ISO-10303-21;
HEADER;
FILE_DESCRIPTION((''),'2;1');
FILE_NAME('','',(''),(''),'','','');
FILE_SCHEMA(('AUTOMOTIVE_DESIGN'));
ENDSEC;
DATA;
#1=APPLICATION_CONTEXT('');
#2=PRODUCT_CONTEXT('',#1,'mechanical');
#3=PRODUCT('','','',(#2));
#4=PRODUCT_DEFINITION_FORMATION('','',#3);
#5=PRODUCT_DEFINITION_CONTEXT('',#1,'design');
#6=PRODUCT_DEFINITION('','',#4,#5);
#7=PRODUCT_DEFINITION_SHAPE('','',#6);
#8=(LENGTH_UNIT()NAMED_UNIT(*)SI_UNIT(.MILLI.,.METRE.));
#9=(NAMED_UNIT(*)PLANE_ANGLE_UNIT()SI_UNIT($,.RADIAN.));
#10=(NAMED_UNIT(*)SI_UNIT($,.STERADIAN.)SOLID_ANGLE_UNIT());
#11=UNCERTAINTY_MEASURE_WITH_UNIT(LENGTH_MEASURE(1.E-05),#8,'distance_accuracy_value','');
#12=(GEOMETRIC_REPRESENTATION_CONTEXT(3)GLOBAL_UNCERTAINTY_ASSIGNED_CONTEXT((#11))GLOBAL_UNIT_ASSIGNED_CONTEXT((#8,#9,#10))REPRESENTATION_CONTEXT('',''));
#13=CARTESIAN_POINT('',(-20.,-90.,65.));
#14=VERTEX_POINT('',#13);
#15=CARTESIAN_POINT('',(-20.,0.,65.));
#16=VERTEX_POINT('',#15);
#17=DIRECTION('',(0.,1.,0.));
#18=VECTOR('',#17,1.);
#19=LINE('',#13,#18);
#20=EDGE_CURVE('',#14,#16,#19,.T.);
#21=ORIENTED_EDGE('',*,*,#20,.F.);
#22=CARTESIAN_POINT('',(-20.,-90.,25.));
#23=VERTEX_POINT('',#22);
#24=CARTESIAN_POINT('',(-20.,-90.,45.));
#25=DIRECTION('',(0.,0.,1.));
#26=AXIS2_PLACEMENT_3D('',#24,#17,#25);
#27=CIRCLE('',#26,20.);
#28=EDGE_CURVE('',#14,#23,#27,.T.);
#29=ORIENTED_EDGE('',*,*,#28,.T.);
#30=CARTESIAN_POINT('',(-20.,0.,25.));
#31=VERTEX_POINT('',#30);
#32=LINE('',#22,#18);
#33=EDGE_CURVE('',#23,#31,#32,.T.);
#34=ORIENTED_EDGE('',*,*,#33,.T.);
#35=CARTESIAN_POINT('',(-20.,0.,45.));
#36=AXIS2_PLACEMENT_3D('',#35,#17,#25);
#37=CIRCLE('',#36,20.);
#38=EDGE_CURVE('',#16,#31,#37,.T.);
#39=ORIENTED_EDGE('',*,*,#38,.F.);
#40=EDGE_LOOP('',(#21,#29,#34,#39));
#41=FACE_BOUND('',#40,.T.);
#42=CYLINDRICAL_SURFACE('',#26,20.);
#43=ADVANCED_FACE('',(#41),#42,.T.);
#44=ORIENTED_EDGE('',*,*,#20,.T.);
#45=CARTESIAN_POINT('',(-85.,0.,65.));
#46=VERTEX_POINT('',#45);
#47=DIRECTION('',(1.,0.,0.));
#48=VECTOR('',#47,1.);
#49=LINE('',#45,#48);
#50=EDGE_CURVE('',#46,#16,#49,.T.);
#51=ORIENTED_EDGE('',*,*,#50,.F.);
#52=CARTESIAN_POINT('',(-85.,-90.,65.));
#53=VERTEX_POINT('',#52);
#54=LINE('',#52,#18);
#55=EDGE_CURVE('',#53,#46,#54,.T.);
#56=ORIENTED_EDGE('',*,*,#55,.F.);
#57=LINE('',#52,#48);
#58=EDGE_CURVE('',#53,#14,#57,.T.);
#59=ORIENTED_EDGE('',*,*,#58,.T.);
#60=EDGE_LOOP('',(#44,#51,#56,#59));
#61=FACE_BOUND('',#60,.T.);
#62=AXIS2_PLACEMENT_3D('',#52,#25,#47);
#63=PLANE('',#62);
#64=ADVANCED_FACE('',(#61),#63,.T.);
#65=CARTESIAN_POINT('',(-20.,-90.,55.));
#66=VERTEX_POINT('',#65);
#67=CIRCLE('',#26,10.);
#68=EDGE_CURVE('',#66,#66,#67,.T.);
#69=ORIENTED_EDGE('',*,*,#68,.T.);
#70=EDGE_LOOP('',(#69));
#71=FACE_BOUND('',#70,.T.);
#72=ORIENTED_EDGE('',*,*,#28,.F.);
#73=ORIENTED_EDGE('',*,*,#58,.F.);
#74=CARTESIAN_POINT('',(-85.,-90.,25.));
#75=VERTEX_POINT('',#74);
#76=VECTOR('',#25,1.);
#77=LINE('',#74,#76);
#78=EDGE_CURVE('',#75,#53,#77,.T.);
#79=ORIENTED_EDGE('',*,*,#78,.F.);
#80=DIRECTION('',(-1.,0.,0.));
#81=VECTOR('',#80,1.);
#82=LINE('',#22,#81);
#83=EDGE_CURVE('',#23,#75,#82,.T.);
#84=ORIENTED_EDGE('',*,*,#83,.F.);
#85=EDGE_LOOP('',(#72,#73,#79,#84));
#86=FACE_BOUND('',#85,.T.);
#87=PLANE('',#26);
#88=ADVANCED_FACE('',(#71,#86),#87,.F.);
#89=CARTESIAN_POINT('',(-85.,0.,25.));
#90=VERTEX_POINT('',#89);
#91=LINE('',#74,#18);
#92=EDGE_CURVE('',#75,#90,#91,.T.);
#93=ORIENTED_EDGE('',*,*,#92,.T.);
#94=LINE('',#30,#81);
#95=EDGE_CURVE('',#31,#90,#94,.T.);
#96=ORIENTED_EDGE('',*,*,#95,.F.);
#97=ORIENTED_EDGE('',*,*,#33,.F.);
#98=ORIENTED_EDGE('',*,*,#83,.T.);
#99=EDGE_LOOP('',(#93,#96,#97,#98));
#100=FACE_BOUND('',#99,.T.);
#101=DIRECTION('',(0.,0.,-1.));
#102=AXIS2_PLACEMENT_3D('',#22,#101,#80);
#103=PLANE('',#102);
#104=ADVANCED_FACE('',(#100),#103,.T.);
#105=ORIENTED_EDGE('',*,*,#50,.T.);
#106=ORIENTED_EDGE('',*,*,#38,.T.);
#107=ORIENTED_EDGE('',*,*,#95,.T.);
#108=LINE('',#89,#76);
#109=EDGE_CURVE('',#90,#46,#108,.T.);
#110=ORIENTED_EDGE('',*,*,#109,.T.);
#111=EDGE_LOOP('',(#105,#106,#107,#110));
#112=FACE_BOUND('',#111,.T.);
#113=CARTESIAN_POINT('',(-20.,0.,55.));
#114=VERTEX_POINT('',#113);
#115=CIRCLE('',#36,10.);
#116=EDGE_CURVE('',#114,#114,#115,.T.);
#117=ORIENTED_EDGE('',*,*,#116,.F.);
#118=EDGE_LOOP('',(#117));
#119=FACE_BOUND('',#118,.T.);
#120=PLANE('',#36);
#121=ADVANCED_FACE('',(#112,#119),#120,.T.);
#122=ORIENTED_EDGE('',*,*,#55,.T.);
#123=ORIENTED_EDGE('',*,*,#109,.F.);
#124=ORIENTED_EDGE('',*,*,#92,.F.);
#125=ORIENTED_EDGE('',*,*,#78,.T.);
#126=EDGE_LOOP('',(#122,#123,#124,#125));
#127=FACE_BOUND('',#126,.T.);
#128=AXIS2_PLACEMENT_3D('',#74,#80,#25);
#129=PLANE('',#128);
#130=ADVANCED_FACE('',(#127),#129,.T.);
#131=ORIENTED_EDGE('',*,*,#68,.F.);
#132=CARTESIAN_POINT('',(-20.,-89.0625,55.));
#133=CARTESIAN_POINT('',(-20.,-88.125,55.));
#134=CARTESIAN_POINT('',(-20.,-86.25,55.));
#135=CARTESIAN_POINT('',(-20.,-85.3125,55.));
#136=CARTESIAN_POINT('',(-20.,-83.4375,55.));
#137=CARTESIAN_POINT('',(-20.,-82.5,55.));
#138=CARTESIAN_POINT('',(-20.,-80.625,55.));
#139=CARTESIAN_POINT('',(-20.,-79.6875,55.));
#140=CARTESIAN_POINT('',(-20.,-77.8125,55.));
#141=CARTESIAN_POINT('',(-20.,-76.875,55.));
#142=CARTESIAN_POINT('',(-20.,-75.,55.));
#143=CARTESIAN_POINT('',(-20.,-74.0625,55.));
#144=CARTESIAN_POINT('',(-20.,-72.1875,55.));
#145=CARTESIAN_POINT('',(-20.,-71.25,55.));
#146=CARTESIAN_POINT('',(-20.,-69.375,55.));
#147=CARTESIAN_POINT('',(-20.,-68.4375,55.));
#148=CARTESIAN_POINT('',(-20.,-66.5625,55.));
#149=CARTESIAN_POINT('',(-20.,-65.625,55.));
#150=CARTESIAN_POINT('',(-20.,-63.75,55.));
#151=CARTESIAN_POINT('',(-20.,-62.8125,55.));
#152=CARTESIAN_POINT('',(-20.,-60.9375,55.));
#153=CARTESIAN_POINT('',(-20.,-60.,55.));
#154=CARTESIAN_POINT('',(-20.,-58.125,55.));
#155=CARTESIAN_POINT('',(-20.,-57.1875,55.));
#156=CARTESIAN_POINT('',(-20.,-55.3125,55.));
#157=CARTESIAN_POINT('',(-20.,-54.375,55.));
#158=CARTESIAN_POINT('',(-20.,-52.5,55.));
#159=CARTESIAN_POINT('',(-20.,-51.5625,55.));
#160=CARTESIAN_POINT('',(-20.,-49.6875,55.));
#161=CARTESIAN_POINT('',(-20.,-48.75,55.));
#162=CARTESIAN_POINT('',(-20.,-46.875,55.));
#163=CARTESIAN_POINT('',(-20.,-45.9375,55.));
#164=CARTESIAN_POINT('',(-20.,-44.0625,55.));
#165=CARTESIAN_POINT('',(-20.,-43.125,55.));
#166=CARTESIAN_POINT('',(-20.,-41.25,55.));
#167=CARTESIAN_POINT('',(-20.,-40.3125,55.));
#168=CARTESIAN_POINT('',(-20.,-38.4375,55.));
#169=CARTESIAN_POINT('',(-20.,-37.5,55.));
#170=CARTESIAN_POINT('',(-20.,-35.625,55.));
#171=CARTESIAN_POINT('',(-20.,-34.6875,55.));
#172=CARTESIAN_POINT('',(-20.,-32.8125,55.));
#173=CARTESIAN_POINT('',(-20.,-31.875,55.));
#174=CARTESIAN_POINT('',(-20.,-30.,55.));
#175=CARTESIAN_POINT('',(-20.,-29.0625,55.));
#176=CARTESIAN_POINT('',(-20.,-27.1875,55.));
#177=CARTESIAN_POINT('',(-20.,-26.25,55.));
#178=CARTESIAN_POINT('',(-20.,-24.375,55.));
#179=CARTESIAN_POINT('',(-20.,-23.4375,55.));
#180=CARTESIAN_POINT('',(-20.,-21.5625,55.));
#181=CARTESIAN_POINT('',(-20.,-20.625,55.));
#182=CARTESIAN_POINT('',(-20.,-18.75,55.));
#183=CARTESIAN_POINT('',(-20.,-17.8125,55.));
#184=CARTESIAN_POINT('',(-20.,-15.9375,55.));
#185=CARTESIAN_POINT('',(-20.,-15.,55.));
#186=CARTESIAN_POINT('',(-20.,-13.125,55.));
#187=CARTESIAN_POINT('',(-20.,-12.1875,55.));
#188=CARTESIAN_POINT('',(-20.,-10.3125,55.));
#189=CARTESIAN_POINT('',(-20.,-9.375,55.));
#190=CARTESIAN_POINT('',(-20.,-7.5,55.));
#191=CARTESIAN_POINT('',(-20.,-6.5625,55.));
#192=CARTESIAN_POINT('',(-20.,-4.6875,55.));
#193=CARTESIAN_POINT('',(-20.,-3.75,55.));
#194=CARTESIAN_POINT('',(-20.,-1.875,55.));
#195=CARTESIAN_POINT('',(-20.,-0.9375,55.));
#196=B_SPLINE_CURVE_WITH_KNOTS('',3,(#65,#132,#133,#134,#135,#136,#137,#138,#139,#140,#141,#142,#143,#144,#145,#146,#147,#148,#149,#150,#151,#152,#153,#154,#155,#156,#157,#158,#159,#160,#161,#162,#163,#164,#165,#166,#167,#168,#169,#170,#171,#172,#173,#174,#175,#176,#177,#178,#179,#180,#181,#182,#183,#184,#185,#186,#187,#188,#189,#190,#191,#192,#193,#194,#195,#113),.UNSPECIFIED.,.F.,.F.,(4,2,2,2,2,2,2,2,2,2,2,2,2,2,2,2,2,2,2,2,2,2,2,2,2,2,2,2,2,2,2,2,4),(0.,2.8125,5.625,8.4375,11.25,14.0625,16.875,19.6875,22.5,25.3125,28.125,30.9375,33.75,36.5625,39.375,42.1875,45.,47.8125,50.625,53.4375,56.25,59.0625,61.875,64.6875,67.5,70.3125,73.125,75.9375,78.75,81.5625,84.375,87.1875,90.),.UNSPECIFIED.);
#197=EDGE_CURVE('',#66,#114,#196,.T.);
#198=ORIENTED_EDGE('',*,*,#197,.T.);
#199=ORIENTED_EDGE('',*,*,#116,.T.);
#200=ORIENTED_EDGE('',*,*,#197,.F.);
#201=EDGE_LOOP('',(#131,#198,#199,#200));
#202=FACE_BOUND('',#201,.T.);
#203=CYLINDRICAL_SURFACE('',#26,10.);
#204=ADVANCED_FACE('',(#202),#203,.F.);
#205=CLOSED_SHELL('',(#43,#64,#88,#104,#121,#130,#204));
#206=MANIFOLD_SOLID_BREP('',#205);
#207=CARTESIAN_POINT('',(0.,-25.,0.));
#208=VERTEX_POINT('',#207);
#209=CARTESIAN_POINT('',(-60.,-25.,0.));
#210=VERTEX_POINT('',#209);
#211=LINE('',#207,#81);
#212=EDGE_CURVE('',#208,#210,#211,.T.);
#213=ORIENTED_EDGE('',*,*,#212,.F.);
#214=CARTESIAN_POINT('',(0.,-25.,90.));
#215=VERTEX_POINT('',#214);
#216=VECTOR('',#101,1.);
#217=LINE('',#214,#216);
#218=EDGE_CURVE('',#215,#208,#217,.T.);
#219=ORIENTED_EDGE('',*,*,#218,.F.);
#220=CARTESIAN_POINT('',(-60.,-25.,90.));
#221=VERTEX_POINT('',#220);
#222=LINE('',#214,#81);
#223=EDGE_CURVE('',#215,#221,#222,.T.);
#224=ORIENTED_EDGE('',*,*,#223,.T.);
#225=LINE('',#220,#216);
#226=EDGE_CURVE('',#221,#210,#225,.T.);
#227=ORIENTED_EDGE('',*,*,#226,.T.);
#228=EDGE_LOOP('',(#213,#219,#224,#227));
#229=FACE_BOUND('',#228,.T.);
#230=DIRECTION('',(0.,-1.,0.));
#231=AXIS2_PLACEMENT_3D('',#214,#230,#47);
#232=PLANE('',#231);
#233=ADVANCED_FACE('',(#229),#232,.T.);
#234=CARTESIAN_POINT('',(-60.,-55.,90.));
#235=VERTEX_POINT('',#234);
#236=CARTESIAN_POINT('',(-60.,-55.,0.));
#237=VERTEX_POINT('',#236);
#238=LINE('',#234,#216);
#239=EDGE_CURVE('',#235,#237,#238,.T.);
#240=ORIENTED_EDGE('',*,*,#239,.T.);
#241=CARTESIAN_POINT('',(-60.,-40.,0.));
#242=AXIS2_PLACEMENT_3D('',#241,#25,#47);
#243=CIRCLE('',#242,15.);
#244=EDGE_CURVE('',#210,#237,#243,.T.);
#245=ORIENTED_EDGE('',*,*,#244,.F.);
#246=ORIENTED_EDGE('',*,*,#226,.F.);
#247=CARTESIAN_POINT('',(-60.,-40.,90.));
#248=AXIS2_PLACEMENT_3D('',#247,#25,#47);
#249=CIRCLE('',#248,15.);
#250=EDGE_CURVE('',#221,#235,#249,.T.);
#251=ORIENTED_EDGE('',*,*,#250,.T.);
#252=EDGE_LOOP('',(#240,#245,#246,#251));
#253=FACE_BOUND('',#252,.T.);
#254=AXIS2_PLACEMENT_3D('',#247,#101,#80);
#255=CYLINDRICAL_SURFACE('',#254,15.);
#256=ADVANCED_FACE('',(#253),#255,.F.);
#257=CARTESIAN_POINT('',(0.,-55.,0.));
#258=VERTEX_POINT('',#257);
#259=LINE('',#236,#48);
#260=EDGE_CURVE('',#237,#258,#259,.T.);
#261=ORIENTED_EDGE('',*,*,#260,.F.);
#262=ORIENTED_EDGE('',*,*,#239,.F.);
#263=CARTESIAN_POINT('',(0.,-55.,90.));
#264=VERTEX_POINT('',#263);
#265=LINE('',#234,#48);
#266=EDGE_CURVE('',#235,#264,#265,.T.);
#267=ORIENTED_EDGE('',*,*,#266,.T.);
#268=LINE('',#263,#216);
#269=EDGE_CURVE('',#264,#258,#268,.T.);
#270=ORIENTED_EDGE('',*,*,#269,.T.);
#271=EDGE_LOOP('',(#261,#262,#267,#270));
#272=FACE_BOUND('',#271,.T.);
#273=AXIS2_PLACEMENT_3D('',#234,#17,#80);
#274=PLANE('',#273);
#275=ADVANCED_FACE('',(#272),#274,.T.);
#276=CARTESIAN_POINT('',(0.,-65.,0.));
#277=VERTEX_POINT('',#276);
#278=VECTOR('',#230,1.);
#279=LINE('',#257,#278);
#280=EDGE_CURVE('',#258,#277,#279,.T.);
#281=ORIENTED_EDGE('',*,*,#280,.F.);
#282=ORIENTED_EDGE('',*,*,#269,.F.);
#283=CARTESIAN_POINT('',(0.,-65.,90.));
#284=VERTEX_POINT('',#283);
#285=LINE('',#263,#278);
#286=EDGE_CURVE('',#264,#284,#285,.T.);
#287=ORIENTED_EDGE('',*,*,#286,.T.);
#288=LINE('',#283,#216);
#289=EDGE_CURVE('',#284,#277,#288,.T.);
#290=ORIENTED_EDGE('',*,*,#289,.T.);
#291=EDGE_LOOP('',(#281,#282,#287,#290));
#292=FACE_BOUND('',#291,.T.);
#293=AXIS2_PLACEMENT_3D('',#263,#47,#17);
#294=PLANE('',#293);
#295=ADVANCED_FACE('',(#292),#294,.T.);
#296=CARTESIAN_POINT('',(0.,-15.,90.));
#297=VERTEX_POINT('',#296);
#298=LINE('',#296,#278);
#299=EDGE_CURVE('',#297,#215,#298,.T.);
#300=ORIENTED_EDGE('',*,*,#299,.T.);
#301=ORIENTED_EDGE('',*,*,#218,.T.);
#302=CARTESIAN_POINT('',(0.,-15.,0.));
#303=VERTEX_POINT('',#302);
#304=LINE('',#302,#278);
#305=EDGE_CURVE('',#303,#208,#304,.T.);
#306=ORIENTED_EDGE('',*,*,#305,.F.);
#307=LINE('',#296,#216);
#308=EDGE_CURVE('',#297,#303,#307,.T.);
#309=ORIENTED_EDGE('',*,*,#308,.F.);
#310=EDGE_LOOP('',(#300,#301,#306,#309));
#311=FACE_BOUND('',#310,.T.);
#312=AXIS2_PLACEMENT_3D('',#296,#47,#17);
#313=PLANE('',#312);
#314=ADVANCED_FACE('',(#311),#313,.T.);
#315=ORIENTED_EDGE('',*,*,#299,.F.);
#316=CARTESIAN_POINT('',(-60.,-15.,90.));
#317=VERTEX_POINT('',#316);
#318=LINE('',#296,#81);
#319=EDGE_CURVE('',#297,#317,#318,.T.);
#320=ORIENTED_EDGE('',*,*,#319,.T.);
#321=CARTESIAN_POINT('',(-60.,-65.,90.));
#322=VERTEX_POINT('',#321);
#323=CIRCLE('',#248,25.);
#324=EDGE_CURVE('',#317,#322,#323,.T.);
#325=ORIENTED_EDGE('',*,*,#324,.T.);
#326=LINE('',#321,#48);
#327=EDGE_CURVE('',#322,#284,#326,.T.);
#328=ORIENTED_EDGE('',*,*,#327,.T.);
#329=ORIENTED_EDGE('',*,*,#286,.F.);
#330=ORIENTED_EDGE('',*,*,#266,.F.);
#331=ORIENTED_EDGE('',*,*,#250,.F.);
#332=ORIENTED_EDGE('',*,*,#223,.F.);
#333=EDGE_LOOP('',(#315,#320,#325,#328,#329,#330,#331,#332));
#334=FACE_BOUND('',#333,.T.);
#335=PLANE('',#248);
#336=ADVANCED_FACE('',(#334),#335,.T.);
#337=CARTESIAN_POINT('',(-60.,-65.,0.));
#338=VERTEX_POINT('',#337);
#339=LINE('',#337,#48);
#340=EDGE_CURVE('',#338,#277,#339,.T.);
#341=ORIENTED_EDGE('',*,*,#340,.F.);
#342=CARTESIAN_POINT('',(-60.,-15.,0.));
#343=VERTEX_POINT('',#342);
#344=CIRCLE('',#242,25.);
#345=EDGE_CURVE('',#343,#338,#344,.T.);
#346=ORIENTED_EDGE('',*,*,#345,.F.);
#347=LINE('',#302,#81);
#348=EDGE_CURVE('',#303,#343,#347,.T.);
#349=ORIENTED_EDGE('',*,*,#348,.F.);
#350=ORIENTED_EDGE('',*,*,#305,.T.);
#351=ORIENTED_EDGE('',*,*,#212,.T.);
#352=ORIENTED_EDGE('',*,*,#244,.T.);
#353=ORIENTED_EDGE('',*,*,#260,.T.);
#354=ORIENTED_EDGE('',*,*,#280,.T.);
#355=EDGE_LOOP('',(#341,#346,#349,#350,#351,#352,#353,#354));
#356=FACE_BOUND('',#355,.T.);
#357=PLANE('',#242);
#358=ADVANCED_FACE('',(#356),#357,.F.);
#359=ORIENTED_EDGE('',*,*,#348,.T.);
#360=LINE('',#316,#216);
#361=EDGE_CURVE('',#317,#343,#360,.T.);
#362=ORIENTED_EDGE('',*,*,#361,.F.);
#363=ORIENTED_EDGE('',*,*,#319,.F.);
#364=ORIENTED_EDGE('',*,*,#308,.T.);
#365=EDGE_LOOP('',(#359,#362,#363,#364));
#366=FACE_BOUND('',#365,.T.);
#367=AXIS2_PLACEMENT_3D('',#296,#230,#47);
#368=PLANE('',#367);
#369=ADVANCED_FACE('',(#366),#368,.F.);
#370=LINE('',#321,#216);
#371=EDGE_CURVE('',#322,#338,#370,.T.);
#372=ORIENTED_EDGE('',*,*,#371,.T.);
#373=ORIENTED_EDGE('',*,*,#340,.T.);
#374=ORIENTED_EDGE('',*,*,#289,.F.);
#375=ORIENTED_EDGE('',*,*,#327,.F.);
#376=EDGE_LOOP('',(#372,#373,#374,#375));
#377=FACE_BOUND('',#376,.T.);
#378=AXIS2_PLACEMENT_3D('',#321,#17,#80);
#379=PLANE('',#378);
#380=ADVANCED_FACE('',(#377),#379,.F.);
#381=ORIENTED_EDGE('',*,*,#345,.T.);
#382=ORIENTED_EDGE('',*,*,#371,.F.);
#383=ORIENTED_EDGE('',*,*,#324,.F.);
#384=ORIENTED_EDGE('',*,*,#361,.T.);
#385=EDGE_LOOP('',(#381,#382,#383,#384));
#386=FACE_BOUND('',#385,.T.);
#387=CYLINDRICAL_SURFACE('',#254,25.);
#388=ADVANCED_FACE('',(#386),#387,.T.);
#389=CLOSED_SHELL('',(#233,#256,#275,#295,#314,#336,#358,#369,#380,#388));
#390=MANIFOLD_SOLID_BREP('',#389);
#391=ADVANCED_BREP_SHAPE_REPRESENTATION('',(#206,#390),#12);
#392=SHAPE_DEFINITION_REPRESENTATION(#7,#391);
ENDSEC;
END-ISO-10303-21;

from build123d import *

# Parameters (mm, degrees)
EXTRUDE_THIN1_DEPTH = 90
SKETCH2_R           = 10
BOSS_EXTRUDE1_DEPTH = 90


with BuildPart() as part:
    # Sketch1 → Extrude-Thin1 (new body)
    with BuildSketch(Plane.XY):
        with BuildLine():
            Line((0, -15), (-60, -15))
            ThreePointArc((-60, -15), (-85, -40), (-60, -65))
            Line((-60, -65), (0, -65))
            Line((0, -65), (0, -55))
            Line((0, -55), (-60, -55))
            ThreePointArc((-60, -55), (-75, -40), (-60, -25))
            Line((-60, -25), (0, -25))
            Line((0, -25), (0, -15))
        make_face()
    extrude(amount=EXTRUDE_THIN1_DEPTH)


with BuildPart() as body_2:
    # Sketch2 → Boss-Extrude1 (new body)
    with BuildSketch(Plane(origin=(0, 0, 0), x_dir=(1, 0, 0), z_dir=(0, 1, 0))):
        with BuildLine():
            Line((-85, -25), (-85, -65))
            Line((-85, -65), (-20, -65))
            ThreePointArc((-20, -65), (0, -45), (-20, -25))
            Line((-20, -25), (-85, -25))
        make_face()
        with Locations(Location((-20, -45, 0), (0, 0, 270))):
            Circle(SKETCH2_R, mode=Mode.SUBTRACT)
    extrude(amount=-BOSS_EXTRUDE1_DEPTH)


solid = Compound([part.part, body_2.part])
